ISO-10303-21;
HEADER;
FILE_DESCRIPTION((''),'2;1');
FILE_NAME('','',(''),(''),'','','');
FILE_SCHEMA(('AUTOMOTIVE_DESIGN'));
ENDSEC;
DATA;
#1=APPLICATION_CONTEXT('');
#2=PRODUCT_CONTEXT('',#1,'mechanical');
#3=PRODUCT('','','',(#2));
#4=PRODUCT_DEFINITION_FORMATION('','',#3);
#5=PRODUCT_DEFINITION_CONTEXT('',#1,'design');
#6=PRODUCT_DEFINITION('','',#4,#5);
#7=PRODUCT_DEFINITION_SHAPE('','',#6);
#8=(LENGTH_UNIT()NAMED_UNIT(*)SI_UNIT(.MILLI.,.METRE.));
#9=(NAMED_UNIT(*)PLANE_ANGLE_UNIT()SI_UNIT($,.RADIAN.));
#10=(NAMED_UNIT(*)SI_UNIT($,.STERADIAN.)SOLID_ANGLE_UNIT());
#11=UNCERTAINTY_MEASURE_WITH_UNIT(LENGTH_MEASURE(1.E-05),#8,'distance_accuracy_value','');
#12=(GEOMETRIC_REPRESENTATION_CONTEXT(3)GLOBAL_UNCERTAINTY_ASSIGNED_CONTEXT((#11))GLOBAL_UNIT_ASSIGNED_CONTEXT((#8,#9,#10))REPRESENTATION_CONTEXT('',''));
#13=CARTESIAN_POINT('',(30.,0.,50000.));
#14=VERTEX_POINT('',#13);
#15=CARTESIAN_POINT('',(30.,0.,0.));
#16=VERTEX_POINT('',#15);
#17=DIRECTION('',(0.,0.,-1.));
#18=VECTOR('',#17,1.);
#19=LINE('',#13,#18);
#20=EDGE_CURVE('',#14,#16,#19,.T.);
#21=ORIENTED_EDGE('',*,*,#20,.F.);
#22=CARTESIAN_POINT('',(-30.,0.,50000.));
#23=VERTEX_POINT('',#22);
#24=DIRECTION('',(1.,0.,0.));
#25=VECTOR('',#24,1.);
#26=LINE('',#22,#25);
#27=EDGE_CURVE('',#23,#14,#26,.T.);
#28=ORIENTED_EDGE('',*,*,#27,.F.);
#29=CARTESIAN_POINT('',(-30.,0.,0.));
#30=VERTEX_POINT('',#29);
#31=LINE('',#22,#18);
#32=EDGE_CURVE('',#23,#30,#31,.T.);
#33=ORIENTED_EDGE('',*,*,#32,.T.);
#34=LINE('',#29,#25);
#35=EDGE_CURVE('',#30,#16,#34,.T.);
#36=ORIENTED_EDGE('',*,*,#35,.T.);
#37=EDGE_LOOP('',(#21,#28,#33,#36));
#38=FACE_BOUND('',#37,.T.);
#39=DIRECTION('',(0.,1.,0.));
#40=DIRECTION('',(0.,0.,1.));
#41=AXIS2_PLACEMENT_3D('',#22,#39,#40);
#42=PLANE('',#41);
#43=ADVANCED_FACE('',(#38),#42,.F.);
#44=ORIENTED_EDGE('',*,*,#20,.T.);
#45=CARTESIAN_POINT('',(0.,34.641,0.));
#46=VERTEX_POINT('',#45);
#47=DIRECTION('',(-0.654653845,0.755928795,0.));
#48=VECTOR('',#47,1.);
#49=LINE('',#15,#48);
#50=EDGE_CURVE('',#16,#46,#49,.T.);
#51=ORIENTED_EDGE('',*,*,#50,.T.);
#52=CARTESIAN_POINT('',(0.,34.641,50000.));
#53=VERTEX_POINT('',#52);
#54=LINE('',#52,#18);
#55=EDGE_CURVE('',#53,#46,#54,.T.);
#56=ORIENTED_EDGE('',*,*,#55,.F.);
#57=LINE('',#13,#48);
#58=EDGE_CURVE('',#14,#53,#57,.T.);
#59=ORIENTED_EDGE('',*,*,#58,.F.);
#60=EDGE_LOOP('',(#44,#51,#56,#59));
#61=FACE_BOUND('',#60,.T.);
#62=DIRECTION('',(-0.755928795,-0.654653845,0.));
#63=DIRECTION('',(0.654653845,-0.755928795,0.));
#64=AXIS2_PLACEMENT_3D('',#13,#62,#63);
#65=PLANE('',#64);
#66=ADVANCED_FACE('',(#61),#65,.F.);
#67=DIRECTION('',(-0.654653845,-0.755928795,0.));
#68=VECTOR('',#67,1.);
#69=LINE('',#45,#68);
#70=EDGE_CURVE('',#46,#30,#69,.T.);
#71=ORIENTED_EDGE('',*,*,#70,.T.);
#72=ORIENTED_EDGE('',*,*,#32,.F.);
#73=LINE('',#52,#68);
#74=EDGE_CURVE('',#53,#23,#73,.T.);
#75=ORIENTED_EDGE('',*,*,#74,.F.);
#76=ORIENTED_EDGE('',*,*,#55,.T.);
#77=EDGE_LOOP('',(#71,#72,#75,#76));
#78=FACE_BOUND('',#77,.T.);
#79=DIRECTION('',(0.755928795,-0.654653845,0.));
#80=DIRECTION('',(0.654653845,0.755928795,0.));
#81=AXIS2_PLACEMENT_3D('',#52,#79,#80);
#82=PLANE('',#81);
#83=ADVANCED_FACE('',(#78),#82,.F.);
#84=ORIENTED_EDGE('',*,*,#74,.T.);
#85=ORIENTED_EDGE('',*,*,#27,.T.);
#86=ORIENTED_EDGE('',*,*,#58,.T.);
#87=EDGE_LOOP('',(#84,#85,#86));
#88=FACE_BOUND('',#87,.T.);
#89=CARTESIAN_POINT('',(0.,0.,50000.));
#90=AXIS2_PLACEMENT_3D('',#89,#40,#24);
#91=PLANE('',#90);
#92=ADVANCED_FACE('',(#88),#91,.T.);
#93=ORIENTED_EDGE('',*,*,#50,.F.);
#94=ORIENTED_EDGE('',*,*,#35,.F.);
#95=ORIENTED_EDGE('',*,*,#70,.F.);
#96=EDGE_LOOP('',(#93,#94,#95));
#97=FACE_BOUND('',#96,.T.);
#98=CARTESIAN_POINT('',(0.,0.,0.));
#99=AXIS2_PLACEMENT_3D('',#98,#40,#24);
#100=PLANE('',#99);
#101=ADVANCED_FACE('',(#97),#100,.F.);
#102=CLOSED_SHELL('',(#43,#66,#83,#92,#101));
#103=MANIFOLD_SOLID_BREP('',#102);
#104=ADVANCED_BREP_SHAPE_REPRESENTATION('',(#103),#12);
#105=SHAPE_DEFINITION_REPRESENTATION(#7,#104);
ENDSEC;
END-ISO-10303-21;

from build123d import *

# Parameters (mm, degrees)
EXTRUDE_1_DEPTH = 50000


with BuildPart() as part:
    # 草图1 → 凸台-拉伸1 (new body)
    with BuildSketch(Plane.XY):
        Polygon((0, 34.641), (-30, 0), (30, 0), align=None)
    extrude(amount=EXTRUDE_1_DEPTH)


solid = part.part
